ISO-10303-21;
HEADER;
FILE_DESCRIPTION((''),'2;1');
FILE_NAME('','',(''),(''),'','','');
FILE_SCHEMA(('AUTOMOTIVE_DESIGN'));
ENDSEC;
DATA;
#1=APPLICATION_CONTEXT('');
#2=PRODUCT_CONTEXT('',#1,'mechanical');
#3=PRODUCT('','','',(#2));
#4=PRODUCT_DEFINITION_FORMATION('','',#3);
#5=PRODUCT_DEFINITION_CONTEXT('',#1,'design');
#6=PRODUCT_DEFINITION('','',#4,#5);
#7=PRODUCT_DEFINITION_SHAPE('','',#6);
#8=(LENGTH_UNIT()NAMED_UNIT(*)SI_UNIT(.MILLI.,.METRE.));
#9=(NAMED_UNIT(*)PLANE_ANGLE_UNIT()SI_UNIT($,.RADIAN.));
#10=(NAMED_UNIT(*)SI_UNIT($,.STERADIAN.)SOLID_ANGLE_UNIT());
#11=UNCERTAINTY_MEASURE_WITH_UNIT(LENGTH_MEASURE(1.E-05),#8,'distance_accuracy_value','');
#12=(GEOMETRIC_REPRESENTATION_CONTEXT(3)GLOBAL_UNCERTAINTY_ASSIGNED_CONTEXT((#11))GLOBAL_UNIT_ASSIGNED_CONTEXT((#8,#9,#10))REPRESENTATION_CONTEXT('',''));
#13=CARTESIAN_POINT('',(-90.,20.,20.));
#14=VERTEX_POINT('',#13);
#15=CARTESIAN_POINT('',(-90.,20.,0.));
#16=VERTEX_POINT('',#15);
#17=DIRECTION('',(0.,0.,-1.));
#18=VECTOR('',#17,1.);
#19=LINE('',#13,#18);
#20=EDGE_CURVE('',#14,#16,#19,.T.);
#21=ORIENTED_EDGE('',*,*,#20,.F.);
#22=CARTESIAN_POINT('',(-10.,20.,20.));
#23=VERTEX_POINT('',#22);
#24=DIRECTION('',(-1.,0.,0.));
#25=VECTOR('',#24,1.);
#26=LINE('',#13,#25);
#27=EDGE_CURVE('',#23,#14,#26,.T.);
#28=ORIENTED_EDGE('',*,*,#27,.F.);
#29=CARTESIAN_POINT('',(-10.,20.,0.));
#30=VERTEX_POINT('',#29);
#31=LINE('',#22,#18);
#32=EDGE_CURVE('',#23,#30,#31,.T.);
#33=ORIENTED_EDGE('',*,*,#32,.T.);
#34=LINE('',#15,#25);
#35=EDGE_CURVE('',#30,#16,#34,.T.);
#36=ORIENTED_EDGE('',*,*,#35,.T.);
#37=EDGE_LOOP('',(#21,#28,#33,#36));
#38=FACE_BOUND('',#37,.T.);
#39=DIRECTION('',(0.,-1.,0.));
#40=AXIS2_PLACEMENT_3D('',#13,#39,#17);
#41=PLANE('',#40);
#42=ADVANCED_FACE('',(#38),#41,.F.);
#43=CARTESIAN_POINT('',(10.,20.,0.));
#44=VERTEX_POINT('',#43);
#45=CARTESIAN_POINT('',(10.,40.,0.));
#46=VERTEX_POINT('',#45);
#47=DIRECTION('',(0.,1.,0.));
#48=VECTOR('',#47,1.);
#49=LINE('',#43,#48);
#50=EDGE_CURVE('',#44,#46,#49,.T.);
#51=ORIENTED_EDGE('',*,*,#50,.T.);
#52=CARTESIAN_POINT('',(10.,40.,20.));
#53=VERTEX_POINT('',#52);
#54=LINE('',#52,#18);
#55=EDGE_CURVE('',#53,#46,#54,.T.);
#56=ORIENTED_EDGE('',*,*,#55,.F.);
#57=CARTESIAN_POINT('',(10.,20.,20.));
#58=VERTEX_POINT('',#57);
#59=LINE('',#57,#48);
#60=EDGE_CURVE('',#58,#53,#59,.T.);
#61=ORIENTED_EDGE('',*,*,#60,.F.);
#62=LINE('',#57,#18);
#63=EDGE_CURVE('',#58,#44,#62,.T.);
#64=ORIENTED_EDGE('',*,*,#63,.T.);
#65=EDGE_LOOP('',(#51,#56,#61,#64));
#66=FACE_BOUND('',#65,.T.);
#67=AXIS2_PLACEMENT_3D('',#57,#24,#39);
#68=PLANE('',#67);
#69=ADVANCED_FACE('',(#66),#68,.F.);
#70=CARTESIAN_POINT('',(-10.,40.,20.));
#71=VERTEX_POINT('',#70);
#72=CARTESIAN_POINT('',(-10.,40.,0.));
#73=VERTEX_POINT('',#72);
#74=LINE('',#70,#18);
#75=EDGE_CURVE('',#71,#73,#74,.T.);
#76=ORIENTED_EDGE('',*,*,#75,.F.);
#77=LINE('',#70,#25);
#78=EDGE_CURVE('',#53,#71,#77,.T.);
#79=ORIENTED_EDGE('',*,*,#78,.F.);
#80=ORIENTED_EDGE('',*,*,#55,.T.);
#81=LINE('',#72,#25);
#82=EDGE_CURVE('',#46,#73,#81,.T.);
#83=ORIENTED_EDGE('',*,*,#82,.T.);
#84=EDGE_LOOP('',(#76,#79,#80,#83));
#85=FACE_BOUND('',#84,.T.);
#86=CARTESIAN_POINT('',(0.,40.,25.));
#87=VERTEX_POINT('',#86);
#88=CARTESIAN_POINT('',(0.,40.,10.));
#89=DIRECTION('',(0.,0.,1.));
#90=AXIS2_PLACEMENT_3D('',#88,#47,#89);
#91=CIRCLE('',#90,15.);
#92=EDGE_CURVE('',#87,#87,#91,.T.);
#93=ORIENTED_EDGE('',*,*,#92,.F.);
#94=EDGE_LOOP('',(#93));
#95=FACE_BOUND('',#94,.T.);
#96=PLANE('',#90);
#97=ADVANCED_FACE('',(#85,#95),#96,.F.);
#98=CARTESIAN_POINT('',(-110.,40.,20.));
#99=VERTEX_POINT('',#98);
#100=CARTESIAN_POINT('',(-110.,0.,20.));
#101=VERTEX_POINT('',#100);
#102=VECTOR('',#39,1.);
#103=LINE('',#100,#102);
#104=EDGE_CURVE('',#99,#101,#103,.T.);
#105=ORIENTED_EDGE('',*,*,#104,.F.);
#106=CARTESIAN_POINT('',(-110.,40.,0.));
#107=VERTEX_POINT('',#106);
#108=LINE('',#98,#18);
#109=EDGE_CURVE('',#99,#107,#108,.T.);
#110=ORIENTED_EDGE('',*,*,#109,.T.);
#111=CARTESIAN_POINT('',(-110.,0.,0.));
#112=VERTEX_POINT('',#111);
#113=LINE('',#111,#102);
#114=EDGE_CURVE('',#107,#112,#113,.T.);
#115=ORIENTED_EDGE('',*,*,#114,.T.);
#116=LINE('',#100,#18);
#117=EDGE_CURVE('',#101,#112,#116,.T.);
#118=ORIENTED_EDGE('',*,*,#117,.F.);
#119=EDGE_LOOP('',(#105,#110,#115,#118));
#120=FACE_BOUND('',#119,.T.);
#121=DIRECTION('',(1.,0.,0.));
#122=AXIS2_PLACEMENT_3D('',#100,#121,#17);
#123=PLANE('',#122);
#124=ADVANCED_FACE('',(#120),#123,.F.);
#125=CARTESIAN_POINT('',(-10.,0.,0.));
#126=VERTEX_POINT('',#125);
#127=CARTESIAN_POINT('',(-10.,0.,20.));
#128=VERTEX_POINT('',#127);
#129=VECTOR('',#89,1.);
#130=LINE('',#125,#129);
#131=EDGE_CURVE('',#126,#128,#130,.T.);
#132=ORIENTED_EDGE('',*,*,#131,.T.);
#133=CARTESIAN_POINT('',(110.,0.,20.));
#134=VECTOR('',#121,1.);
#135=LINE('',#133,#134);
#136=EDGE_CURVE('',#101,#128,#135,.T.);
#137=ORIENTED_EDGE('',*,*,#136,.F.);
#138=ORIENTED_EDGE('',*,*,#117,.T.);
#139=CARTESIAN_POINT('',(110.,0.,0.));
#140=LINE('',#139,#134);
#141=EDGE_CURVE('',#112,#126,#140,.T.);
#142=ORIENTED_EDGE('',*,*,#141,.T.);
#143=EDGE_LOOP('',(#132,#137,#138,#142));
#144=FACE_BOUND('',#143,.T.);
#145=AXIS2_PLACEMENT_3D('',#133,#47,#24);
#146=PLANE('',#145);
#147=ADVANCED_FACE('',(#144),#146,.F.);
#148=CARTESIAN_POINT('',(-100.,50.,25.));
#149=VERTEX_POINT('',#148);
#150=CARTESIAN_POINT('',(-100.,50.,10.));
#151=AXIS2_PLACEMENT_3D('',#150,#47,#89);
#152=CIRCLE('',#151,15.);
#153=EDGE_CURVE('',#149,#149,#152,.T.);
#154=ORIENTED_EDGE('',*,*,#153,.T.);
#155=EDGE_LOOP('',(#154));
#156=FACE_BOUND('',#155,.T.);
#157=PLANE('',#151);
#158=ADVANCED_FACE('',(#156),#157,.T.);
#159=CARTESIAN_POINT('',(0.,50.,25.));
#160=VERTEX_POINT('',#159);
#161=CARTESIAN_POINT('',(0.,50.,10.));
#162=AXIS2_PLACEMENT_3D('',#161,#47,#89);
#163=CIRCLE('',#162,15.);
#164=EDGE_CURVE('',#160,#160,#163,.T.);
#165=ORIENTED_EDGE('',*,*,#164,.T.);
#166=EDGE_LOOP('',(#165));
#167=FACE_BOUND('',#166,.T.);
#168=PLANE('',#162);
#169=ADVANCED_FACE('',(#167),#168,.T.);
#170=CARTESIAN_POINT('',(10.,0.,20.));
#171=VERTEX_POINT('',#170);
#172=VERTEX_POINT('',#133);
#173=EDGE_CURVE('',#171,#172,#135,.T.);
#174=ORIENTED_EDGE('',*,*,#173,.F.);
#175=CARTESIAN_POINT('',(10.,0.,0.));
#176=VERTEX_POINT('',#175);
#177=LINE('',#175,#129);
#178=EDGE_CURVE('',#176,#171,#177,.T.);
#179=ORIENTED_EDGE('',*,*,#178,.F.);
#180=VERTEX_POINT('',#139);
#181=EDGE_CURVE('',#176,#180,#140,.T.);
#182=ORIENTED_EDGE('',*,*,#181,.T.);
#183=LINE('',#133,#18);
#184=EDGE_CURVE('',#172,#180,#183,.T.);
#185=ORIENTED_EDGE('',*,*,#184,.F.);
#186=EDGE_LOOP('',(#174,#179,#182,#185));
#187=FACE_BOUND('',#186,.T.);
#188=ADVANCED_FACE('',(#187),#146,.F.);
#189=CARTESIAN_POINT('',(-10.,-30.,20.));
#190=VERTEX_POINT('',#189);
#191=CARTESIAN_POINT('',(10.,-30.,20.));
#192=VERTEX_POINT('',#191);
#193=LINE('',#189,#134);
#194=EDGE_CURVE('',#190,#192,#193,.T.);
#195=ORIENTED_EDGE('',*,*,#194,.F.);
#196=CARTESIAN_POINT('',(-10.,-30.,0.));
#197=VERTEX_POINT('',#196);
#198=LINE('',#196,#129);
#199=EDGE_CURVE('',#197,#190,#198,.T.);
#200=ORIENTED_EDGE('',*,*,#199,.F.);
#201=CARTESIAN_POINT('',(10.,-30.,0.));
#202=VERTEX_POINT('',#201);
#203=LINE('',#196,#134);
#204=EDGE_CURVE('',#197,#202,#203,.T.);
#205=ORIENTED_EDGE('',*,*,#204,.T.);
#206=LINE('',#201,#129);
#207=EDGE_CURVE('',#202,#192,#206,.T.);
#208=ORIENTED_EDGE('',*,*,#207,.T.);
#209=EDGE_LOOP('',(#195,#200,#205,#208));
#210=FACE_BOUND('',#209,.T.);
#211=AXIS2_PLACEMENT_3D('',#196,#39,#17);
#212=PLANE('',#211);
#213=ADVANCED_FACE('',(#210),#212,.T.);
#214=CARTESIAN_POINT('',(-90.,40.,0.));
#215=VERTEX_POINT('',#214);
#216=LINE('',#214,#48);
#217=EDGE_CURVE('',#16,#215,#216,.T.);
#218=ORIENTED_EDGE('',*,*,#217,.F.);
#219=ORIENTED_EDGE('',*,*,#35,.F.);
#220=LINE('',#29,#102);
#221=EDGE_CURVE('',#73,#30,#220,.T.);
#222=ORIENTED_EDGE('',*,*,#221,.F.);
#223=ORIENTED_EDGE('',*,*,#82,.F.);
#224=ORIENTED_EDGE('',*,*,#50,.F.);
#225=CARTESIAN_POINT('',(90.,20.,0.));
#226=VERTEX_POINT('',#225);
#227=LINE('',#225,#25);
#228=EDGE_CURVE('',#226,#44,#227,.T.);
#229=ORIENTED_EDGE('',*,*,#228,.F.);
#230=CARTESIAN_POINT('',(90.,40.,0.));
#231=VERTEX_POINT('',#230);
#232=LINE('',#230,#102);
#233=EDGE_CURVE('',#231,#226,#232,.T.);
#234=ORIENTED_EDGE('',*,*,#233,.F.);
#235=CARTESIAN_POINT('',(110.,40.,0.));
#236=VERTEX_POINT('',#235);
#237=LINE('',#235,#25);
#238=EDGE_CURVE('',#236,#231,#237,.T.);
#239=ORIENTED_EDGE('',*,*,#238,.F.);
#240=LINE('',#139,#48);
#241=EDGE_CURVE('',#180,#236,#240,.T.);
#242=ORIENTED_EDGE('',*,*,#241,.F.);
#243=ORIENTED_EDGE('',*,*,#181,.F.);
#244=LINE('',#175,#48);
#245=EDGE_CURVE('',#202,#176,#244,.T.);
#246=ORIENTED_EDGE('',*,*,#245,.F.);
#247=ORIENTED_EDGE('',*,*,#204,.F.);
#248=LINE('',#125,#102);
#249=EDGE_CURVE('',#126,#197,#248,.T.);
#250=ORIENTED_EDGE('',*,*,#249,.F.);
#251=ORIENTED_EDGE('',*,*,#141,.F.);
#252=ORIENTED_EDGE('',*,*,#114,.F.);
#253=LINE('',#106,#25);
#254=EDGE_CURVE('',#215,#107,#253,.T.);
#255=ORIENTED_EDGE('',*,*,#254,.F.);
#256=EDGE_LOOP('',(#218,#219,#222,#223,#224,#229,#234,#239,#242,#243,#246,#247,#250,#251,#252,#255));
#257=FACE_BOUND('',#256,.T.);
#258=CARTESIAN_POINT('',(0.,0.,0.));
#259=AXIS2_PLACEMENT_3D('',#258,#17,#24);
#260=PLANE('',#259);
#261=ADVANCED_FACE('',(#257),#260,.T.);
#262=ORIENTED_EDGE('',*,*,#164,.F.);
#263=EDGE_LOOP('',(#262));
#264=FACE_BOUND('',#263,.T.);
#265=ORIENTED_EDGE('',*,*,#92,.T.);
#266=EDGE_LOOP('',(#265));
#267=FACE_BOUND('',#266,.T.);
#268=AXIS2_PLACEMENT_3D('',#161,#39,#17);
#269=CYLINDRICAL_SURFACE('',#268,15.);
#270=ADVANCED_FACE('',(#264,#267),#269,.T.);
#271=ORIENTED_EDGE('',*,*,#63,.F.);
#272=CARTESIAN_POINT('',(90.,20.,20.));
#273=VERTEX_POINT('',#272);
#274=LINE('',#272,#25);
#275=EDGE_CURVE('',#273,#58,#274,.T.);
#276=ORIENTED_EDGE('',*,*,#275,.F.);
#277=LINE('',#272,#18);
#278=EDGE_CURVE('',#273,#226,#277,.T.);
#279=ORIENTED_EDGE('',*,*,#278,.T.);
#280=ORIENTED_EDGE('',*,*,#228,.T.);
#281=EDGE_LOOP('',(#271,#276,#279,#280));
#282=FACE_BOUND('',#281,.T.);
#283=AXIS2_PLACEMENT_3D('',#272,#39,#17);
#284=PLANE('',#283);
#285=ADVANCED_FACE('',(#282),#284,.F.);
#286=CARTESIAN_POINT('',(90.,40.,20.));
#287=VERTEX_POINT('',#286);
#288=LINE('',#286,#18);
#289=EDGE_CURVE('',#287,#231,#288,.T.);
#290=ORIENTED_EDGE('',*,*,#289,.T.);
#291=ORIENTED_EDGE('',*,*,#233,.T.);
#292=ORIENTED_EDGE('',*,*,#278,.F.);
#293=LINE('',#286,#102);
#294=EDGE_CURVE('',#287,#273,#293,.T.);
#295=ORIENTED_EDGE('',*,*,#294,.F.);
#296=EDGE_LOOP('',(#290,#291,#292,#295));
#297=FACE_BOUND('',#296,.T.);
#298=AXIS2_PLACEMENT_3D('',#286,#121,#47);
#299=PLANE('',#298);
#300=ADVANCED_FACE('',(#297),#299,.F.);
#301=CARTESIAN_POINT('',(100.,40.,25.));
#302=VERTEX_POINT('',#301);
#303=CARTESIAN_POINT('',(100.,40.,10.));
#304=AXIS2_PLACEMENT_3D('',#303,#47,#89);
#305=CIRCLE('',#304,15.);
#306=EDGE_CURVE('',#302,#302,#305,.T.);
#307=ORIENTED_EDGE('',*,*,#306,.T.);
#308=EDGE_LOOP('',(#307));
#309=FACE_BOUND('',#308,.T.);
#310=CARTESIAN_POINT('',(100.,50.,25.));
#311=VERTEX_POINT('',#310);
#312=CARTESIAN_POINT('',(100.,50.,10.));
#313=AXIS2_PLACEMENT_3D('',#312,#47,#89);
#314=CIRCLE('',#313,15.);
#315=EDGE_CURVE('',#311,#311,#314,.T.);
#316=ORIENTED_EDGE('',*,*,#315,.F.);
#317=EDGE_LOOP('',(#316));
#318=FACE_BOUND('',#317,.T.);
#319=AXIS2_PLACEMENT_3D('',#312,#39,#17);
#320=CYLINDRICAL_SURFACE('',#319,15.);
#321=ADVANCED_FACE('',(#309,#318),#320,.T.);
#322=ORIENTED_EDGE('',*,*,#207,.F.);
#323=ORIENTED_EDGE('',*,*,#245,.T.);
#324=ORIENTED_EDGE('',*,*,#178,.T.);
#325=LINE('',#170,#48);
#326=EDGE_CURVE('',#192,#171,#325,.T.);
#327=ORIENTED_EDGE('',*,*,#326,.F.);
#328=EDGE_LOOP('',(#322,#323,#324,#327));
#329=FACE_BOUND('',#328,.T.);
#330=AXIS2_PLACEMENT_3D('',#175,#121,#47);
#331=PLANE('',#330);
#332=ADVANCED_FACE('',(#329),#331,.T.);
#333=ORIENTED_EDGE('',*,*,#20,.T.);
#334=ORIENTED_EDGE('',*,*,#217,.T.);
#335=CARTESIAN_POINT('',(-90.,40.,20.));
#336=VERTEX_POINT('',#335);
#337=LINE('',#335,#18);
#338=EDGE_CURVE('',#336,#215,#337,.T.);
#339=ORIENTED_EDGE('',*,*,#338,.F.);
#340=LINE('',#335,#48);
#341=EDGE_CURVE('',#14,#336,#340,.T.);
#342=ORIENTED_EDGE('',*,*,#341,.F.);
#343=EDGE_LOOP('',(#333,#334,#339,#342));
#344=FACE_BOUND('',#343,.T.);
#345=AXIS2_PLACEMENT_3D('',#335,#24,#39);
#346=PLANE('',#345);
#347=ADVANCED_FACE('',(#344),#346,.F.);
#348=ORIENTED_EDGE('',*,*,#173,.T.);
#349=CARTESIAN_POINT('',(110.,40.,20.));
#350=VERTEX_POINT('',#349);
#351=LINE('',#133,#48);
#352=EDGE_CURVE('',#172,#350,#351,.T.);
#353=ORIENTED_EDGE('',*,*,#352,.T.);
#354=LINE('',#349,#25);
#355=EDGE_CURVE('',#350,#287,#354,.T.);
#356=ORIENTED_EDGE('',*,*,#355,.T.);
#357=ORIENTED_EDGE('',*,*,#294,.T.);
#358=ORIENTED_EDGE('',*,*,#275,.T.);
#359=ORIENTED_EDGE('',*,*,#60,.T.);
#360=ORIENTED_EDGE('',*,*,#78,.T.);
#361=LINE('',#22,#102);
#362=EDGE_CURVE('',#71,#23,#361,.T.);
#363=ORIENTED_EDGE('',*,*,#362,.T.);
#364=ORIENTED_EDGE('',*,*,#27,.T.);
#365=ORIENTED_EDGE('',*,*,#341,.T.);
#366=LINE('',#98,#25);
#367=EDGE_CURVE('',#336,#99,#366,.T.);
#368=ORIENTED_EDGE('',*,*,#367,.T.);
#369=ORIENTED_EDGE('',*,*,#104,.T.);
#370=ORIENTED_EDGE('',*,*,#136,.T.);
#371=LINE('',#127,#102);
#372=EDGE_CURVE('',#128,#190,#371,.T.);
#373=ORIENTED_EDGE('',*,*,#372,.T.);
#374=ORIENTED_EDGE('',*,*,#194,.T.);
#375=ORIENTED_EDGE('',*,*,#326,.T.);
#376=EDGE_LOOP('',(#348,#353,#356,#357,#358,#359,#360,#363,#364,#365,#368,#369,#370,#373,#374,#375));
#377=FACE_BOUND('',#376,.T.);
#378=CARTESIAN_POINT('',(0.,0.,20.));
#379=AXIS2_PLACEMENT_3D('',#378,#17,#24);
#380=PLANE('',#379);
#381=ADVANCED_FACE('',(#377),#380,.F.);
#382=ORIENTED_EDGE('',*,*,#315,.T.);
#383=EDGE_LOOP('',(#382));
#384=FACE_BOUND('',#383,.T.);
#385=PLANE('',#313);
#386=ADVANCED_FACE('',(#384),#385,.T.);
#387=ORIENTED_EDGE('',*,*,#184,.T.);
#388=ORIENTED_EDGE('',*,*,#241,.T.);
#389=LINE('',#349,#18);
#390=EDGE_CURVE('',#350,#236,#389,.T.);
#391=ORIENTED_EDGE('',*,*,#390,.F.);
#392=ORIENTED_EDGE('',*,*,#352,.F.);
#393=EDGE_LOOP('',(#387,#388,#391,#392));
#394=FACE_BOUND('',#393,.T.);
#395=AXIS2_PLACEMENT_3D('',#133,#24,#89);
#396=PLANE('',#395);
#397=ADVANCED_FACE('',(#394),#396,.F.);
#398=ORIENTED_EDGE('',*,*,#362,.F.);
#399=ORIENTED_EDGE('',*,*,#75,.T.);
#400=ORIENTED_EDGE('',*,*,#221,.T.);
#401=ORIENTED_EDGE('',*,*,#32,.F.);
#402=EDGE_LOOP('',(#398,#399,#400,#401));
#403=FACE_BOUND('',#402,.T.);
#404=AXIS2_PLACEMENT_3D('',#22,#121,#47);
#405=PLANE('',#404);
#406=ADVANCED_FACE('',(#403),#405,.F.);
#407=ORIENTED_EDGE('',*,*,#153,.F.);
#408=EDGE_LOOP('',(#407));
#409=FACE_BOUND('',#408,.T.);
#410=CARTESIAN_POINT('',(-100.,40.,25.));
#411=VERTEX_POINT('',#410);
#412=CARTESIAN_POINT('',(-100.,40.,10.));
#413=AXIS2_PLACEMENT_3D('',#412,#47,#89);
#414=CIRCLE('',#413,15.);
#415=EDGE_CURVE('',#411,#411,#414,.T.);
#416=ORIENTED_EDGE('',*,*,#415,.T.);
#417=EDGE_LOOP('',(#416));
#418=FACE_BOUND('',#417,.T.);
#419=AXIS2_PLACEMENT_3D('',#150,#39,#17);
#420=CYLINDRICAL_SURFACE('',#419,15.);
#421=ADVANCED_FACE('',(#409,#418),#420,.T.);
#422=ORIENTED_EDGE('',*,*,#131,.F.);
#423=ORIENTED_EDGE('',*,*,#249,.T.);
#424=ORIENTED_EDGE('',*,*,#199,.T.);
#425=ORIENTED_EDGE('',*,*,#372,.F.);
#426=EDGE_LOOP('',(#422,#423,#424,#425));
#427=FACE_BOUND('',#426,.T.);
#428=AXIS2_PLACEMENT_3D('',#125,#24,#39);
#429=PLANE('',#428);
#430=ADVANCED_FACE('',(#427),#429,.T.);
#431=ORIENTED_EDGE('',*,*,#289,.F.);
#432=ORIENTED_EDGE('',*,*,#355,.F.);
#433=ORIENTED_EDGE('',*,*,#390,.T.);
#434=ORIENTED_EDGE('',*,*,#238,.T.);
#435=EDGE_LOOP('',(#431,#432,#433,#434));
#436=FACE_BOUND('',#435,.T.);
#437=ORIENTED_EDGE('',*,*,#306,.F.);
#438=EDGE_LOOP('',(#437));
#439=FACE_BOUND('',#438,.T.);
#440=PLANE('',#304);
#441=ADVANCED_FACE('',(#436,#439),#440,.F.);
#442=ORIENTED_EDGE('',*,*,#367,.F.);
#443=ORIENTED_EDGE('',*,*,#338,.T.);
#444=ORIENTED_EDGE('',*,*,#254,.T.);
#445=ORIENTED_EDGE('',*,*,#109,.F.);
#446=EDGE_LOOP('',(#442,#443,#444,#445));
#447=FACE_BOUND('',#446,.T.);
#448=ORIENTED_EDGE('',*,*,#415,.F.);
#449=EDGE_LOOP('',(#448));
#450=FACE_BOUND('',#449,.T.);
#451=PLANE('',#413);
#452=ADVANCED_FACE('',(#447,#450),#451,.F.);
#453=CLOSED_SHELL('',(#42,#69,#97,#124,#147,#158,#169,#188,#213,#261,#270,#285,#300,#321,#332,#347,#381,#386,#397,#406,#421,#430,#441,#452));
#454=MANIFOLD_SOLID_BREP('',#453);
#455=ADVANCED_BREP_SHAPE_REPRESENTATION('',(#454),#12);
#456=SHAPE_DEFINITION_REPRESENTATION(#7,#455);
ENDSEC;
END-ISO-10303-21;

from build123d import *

# Parameters (mm, degrees)
BOSS_EXTRU_1_DEPTH = 20
ESQUISSE2_W        = 20
ESQUISSE2_H        = 30
BOSS_EXTRU_2_DEPTH = 20
ESQUISSE3_R        = 15
BOSS_EXTRU_3_DEPTH = 10


with BuildPart() as part:
    # Esquisse1 → Boss.-Extru.1 (new body)
    with BuildSketch(Plane.XY):
        Polygon((110, 0), (-110, 0), (-110, 40), (-90, 40), (-90, 20), (-10, 20), (-10, 40), (10, 40), (10, 20), (90, 20), (90, 40), (110, 40), align=None)
    extrude(amount=BOSS_EXTRU_1_DEPTH)

    # Esquisse2 → Boss.-Extru.2 (add)
    with BuildSketch(Plane.XY.offset(20)):
        with Locations((0, -15)):
            Rectangle(ESQUISSE2_W, ESQUISSE2_H)
    extrude(amount=-BOSS_EXTRU_2_DEPTH)

    # Esquisse3 → Boss.-Extru.3 (add)
    with BuildSketch(Plane(origin=(0, 40, 0), x_dir=(1, 0, 0), z_dir=(0, 1, 0))):
        with Locations(Location((0, -10, 0), (0, 0, 270))):
            Circle(ESQUISSE3_R)
        with Locations(Location((-100, -10, 0), (0, 0, 270))):
            Circle(ESQUISSE3_R)
        with Locations(Location((100, -10, 0), (0, 0, 270))):
            Circle(ESQUISSE3_R)
    extrude(amount=BOSS_EXTRU_3_DEPTH)


solid = part.part
